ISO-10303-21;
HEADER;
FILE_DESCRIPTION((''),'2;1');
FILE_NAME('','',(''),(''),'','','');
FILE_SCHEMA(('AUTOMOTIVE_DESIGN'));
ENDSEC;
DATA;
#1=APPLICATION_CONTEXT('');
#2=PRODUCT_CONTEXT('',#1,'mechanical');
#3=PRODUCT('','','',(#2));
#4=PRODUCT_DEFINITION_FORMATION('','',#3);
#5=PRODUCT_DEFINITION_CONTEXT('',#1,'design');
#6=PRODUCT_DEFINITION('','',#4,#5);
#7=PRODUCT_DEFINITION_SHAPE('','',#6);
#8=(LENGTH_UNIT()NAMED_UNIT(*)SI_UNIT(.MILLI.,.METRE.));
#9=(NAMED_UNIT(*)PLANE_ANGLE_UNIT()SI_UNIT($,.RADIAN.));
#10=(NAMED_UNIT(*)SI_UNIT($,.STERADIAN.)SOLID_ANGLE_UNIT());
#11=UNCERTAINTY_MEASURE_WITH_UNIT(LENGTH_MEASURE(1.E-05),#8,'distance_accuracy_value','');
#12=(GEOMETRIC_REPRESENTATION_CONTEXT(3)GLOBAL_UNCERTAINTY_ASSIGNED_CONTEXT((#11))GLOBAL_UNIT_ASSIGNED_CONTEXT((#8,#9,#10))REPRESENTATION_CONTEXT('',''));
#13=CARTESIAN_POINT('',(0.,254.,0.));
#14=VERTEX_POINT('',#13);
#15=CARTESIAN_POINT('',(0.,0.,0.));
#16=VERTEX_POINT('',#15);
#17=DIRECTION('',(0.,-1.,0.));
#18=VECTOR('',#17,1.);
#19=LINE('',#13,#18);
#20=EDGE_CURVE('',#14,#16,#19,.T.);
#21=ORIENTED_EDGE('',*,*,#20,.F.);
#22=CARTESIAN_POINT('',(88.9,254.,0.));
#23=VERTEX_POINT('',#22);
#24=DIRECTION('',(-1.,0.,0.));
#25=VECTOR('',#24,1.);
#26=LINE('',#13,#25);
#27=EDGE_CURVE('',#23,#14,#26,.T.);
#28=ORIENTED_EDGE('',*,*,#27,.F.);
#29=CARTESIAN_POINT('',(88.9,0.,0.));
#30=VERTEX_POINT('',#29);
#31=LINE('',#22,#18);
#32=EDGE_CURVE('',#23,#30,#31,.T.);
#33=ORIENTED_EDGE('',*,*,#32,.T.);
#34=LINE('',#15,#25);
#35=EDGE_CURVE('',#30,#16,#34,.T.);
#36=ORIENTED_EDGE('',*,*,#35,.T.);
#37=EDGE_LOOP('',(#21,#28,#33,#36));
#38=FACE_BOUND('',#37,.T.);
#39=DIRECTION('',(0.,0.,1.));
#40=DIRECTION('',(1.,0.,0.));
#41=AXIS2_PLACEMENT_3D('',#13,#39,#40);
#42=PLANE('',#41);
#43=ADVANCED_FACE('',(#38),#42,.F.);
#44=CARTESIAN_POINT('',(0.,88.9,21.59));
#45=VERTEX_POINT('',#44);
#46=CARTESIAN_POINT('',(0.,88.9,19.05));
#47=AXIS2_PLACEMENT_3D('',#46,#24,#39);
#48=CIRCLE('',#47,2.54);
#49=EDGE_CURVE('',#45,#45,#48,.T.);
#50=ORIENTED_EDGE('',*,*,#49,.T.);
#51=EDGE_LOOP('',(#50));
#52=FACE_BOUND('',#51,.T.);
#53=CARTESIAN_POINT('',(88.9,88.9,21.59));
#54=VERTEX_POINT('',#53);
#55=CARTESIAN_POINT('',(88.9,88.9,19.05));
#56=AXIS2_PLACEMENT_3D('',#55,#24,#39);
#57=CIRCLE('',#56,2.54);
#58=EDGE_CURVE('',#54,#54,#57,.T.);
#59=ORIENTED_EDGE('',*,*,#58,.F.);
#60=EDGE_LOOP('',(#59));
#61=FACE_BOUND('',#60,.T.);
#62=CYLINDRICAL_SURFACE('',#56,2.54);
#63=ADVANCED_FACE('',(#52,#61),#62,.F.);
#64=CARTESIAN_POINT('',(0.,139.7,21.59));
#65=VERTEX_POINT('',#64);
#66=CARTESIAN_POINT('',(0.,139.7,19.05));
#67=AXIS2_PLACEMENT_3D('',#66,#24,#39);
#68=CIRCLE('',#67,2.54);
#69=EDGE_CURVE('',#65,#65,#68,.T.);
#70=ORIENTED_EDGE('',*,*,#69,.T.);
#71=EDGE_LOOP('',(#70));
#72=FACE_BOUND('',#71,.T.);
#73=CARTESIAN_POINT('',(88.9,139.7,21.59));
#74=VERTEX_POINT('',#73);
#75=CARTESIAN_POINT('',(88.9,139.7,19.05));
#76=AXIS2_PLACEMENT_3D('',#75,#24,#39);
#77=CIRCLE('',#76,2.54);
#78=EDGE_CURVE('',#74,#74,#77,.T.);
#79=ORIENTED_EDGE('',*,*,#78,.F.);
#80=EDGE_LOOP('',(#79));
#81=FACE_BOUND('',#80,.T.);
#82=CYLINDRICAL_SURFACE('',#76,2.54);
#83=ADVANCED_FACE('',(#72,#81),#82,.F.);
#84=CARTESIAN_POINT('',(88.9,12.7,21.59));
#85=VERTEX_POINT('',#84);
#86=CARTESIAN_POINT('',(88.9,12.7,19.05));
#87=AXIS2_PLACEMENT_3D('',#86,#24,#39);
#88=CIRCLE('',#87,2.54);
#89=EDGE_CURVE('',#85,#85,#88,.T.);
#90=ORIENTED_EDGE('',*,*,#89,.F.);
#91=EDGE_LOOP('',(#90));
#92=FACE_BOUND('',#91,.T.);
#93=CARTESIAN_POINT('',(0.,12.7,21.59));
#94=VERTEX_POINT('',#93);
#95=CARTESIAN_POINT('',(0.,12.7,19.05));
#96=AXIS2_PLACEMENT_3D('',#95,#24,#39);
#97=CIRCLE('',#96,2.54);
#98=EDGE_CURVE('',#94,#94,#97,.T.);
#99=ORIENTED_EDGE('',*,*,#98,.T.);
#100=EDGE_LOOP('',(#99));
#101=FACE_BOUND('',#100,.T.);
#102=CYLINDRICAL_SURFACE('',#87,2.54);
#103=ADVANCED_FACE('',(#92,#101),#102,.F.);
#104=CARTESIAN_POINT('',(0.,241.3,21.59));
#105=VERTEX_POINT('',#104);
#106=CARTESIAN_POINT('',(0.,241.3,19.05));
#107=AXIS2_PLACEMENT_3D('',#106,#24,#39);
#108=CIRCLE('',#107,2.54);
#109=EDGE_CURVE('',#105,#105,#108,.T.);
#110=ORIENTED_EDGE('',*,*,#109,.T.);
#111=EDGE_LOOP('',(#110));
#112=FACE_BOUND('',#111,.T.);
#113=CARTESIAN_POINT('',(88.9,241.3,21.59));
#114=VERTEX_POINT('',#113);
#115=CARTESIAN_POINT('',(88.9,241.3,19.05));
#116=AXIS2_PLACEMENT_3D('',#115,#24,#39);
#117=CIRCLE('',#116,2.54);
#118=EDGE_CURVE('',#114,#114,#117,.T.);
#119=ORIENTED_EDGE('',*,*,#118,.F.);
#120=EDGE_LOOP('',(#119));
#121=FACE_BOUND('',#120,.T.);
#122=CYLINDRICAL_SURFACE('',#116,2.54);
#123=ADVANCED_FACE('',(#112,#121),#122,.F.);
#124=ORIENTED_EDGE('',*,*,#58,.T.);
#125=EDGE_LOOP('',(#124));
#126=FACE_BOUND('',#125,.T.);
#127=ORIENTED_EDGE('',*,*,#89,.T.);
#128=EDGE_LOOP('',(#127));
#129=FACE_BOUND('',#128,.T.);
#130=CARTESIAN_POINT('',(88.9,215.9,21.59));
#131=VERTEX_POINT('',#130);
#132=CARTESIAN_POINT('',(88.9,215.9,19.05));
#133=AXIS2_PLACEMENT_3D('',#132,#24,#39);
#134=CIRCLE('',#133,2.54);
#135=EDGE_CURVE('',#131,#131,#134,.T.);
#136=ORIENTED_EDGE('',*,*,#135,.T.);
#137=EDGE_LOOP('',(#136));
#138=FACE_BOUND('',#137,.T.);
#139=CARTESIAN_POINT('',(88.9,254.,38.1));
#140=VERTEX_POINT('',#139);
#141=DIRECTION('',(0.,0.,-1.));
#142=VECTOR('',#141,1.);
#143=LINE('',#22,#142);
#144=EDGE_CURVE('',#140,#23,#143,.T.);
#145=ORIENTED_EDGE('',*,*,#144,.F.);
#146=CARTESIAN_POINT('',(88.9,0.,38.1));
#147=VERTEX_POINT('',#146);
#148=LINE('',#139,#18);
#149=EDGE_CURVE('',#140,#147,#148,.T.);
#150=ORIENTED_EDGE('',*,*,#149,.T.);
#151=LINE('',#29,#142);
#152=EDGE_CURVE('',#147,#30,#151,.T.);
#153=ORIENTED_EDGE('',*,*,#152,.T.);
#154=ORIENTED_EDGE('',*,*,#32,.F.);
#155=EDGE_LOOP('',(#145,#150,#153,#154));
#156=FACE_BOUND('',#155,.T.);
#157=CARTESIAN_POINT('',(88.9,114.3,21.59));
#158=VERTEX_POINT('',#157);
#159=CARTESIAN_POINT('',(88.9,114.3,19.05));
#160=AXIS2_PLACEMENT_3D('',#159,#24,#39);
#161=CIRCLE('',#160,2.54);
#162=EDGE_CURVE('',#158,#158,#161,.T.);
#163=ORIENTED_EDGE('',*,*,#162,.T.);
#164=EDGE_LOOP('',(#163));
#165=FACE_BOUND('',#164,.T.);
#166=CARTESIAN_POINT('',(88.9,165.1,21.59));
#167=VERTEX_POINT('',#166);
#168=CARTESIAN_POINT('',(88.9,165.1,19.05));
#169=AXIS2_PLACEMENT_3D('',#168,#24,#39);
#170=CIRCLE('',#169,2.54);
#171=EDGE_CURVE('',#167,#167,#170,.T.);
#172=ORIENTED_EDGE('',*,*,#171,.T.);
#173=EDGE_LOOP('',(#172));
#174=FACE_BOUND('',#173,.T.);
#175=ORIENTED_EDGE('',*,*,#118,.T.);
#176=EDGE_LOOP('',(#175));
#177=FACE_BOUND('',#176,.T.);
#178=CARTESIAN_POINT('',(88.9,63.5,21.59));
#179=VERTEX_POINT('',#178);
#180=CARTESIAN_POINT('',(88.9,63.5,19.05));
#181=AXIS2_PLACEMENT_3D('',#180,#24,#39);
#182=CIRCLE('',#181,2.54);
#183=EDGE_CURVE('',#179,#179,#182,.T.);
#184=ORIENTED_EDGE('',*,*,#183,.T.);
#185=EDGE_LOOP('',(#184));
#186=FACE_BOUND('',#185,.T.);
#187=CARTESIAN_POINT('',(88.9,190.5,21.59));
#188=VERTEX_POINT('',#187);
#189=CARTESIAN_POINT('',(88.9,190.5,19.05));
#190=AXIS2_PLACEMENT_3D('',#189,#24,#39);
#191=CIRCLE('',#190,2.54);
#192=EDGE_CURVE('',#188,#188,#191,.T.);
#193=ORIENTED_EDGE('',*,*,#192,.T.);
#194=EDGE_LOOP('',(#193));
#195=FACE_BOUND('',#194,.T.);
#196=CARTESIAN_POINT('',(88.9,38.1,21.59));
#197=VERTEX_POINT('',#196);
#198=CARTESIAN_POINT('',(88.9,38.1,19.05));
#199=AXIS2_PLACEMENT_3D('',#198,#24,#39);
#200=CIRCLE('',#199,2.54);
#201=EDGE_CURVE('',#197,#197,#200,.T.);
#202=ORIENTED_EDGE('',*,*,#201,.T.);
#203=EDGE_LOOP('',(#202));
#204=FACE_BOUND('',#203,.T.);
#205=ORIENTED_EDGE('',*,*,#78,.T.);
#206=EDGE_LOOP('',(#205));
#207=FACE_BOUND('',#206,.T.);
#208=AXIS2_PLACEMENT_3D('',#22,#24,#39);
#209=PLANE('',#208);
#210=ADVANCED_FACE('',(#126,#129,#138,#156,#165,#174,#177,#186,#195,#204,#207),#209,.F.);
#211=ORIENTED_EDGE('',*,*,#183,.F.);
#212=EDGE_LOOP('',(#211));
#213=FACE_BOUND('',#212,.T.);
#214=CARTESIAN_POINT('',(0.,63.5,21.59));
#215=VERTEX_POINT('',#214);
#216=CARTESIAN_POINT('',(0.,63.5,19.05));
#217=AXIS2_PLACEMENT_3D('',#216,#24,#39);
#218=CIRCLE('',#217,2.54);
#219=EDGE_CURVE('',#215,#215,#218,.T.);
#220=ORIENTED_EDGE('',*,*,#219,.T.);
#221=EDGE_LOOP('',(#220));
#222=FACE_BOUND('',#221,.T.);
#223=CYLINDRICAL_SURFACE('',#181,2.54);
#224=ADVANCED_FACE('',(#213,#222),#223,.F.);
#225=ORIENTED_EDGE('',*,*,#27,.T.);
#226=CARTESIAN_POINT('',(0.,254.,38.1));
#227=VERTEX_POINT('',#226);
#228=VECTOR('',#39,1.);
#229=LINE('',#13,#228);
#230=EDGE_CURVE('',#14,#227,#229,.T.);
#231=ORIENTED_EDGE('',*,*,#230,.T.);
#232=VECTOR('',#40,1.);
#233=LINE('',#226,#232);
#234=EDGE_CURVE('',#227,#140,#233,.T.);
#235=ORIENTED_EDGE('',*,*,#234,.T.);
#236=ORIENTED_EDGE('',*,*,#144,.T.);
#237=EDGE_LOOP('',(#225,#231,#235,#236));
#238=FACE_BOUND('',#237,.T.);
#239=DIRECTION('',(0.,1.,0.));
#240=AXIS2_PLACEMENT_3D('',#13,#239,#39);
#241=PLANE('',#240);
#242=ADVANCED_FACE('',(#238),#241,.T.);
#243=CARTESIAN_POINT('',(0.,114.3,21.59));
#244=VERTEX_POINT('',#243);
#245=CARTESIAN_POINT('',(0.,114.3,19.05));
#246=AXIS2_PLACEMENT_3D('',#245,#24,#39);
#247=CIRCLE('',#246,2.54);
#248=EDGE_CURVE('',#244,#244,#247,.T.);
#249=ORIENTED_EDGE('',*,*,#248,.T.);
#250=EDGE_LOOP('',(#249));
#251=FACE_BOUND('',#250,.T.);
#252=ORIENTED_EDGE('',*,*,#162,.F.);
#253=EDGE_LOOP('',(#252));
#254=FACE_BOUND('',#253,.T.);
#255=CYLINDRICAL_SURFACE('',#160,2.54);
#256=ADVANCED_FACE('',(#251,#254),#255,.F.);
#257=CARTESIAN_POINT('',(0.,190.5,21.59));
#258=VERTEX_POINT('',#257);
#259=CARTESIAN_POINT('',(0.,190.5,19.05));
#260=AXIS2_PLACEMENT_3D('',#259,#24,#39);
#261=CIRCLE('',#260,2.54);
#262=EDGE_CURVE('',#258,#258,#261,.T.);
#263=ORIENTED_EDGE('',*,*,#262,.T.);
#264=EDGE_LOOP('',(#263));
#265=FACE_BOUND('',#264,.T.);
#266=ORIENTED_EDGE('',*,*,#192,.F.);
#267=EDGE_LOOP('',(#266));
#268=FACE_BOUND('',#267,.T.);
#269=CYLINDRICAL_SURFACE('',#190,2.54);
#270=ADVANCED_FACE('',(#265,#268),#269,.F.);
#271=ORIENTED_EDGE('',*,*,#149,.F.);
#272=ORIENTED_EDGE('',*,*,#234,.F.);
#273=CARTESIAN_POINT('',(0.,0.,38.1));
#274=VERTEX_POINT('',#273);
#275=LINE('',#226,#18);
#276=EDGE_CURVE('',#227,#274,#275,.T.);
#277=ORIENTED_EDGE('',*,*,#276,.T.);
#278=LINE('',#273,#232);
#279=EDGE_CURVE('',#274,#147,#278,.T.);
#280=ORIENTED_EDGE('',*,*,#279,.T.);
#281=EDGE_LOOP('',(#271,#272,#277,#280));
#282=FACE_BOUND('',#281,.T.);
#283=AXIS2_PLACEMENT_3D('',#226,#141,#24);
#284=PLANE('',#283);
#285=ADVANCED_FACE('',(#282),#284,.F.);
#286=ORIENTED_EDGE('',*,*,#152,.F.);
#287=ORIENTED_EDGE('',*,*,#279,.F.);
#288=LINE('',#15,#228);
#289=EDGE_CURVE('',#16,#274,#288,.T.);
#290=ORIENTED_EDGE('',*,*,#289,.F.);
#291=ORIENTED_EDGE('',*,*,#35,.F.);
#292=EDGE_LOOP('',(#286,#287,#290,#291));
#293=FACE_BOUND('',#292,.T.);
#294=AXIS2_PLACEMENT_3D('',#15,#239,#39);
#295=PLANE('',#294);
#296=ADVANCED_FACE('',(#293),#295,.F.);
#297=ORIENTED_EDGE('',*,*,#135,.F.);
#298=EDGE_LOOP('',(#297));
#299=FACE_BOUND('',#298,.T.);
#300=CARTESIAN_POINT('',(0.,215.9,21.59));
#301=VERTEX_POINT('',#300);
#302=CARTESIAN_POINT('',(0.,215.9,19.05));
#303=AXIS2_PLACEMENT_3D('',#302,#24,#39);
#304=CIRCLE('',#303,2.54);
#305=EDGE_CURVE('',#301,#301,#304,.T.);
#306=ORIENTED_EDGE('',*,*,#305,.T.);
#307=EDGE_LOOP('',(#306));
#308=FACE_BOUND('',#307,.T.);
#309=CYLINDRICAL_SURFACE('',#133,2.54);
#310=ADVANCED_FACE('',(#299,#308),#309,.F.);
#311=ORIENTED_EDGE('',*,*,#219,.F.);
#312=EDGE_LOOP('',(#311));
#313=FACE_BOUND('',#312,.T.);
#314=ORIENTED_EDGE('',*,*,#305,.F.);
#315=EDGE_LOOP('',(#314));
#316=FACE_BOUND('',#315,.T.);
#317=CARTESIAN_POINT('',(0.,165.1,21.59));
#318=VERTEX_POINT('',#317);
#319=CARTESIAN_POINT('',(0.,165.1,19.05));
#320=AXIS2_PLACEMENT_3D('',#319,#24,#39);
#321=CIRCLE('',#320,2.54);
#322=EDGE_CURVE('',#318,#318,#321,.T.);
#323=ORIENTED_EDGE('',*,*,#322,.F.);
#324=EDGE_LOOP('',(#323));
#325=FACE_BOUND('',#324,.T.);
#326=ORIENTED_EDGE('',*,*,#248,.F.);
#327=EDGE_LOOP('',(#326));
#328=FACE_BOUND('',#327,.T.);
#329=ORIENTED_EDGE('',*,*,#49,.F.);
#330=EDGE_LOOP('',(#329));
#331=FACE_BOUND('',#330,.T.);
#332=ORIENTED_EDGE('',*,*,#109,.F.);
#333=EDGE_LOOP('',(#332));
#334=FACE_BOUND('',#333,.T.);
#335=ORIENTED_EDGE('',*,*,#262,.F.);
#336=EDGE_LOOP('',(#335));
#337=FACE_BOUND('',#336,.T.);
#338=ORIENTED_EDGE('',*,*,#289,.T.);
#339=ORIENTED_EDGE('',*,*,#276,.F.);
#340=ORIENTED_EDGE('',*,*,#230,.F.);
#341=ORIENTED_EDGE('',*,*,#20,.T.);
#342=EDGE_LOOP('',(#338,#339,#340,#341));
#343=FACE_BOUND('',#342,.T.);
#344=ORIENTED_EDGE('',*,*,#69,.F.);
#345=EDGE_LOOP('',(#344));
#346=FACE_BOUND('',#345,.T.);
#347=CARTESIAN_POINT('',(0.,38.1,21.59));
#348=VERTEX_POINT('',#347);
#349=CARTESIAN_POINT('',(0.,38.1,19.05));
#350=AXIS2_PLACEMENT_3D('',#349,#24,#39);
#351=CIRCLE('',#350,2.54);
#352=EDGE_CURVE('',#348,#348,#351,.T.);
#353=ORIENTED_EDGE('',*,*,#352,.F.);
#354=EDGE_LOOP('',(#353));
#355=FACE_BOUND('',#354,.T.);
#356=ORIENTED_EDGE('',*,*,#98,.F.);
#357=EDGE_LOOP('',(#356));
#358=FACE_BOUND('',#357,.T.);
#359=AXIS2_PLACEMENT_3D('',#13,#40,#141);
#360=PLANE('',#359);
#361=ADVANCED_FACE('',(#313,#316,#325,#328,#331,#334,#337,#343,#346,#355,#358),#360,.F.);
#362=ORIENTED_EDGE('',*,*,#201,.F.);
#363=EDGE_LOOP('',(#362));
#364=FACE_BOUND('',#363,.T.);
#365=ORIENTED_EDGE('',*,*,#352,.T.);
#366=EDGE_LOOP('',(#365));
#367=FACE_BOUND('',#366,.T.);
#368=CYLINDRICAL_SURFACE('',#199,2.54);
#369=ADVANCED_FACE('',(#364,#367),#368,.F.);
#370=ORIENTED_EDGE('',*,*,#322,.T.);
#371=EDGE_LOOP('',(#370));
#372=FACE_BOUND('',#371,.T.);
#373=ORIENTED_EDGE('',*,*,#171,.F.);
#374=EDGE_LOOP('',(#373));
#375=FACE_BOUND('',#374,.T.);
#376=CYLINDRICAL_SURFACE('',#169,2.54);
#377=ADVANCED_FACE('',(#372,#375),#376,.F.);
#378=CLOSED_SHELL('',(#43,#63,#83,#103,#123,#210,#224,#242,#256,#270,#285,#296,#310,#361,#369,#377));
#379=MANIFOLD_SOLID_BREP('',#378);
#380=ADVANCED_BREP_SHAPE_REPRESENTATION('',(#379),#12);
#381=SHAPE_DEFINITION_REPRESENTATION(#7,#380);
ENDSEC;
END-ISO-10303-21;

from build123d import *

# Parameters (mm, degrees)
SKETCH1_W           = 88.9
SKETCH1_H           = 38.1
BOSS_EXTRUDE1_DEPTH = 254
SKETCH2_R           = 2.54
CUT_EXTRUDE1_DEPTH  = 272.7918689


with BuildPart() as part:
    # Sketch1 → Boss-Extrude1 (new body)
    with BuildSketch(Plane(origin=(0, 0, 0), x_dir=(1, 0, 0), z_dir=(0, 1, 0))):
        with Locations((44.45, -19.05)):
            Rectangle(SKETCH1_W, SKETCH1_H)
    extrude(amount=BOSS_EXTRUDE1_DEPTH)

    # Sketch2 → Cut-Extrude1 (cut, through all)
    with BuildSketch(Plane.ZY):
        with Locations((19.05, 12.7)):
            Circle(SKETCH2_R)
        with Locations((19.05, 38.1)):
            Circle(SKETCH2_R)
        with Locations((19.05, 63.5)):
            Circle(SKETCH2_R)
        with Locations((19.05, 88.9)):
            Circle(SKETCH2_R)
        with Locations((19.05, 114.3)):
            Circle(SKETCH2_R)
        with Locations((19.05, 139.7)):
            Circle(SKETCH2_R)
        with Locations((19.05, 165.1)):
            Circle(SKETCH2_R)
        with Locations((19.05, 190.5)):
            Circle(SKETCH2_R)
        with Locations((19.05, 215.9)):
            Circle(SKETCH2_R)
        with Locations((19.05, 241.3)):
            Circle(SKETCH2_R)
    extrude(amount=-CUT_EXTRUDE1_DEPTH, mode=Mode.SUBTRACT)


solid = part.part
